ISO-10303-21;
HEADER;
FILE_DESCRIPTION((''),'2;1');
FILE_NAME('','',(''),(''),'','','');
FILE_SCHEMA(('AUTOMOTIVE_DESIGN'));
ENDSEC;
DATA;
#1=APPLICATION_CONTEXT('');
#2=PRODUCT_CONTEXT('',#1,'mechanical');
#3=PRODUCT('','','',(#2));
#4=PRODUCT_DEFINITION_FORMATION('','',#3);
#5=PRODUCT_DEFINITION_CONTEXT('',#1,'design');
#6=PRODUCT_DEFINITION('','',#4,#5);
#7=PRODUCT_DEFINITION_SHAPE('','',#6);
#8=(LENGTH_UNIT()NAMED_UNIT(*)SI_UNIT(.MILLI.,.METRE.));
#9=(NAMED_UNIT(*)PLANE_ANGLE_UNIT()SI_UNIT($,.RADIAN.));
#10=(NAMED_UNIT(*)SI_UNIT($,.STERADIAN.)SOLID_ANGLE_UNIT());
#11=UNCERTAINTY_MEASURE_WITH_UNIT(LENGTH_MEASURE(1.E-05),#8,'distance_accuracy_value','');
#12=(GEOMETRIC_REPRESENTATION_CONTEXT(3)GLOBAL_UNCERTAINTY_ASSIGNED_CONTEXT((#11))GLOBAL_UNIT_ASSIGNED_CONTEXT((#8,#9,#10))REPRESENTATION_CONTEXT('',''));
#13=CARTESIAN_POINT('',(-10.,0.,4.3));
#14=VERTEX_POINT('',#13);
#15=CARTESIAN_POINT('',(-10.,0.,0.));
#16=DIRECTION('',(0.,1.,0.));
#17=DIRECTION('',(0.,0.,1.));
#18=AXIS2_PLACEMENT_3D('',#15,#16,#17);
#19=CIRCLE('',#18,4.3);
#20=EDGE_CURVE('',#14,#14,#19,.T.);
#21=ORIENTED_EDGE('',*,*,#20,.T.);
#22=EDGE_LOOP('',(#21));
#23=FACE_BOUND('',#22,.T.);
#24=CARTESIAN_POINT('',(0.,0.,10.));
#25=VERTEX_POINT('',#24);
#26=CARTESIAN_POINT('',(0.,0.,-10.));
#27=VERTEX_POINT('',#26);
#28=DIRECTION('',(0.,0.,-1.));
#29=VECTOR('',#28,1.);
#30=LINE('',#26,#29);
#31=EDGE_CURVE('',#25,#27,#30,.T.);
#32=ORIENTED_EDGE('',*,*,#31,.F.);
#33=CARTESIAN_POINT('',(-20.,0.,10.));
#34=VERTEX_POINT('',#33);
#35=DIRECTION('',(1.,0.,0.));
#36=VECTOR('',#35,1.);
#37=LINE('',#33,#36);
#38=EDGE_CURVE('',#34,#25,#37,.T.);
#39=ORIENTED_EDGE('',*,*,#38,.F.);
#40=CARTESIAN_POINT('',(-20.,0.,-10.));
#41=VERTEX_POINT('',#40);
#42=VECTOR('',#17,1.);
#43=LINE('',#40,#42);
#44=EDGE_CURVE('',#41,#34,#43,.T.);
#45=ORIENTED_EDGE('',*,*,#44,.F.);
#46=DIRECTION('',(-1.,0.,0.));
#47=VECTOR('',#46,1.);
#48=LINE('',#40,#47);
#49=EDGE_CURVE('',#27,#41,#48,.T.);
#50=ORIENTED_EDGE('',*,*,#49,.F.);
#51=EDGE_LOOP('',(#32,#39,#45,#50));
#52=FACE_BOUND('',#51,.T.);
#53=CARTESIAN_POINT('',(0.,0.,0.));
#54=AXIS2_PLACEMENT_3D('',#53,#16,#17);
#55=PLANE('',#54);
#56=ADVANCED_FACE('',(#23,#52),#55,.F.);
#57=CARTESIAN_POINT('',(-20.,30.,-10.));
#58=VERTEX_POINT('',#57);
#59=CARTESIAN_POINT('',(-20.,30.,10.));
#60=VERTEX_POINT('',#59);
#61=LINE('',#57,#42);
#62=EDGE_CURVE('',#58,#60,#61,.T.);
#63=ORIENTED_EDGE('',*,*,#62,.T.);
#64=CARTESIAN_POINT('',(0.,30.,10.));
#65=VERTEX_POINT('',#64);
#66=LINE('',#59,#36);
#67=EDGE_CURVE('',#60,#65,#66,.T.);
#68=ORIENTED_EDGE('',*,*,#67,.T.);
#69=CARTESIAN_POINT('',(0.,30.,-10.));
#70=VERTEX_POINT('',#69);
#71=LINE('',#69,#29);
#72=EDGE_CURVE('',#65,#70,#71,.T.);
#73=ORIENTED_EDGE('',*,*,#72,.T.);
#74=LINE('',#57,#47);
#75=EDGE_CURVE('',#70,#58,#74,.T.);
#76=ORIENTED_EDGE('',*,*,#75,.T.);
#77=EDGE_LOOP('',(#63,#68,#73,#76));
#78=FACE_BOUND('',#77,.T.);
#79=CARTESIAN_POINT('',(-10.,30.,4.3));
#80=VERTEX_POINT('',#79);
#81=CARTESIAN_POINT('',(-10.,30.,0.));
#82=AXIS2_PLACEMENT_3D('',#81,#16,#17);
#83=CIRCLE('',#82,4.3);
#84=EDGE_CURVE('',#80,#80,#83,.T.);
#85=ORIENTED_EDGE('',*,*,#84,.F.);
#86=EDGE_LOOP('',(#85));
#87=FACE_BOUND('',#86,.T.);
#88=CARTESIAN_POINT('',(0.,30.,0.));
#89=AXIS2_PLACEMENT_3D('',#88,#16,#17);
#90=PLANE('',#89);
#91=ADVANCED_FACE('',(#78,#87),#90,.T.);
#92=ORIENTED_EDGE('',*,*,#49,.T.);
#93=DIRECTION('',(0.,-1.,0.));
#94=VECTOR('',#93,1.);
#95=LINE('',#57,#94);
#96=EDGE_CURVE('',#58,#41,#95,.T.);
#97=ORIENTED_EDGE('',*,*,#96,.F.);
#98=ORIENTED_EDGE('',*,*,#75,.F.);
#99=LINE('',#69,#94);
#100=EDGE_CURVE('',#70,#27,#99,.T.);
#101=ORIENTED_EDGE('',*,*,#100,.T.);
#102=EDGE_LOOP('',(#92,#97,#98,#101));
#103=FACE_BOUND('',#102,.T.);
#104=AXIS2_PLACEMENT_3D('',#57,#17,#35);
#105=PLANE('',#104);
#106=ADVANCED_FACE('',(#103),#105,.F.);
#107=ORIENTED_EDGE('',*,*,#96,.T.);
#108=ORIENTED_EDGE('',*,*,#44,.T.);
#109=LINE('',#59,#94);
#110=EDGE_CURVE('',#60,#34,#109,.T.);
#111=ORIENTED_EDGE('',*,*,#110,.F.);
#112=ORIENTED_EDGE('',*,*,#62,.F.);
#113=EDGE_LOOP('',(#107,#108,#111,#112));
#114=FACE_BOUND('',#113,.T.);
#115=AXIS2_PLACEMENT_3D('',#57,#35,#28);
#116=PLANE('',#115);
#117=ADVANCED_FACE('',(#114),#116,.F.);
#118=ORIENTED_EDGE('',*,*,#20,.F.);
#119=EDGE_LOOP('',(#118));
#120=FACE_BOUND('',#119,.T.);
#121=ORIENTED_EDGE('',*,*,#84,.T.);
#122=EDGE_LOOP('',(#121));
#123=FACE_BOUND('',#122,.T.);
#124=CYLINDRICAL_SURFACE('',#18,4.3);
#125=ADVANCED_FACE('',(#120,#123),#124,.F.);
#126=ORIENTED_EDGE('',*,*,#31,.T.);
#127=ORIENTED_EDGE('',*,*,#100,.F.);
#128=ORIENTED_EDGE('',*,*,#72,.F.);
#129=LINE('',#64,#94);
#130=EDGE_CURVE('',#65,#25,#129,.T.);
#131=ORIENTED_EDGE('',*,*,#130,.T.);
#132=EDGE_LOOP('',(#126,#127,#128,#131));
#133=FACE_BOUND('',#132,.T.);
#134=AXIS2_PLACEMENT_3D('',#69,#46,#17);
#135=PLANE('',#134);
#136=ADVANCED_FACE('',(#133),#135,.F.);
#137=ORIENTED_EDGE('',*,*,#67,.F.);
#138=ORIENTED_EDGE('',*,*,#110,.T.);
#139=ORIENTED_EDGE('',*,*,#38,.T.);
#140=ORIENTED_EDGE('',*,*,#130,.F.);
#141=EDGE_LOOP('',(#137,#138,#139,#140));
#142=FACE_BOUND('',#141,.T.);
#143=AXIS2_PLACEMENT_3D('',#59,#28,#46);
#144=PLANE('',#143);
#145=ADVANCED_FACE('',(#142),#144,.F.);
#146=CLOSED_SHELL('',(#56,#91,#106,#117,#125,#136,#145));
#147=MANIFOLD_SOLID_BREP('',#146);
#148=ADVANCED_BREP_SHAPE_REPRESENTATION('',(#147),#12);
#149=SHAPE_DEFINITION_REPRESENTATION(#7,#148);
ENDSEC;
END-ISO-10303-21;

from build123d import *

# Parameters (mm, degrees)
SKETCH1_W           = 20
SKETCH1_H           = 20
BOSS_EXTRUDE1_DEPTH = 30
SKETCH2_R           = 4.3
CUT_EXTRUDE1_DEPTH  = 38.416573868


with BuildPart() as part:
    # Sketch1 → Boss-Extrude1 (new body)
    with BuildSketch(Plane(origin=(0, 0, 0), x_dir=(1, 0, 0), z_dir=(0, 1, 0))):
        with Locations((-10, 0)):
            Rectangle(SKETCH1_W, SKETCH1_H)
    extrude(amount=BOSS_EXTRUDE1_DEPTH)

    # Sketch2 → Cut-Extrude1 (cut, through all)
    with BuildSketch(Plane(origin=(0, 30, 0), x_dir=(1, 0, 0), z_dir=(0, 1, 0))):
        with Locations(Location((-10, 0, 0), (0, 0, 270))):
            Circle(SKETCH2_R)
    extrude(amount=-CUT_EXTRUDE1_DEPTH, mode=Mode.SUBTRACT)


solid = part.part
